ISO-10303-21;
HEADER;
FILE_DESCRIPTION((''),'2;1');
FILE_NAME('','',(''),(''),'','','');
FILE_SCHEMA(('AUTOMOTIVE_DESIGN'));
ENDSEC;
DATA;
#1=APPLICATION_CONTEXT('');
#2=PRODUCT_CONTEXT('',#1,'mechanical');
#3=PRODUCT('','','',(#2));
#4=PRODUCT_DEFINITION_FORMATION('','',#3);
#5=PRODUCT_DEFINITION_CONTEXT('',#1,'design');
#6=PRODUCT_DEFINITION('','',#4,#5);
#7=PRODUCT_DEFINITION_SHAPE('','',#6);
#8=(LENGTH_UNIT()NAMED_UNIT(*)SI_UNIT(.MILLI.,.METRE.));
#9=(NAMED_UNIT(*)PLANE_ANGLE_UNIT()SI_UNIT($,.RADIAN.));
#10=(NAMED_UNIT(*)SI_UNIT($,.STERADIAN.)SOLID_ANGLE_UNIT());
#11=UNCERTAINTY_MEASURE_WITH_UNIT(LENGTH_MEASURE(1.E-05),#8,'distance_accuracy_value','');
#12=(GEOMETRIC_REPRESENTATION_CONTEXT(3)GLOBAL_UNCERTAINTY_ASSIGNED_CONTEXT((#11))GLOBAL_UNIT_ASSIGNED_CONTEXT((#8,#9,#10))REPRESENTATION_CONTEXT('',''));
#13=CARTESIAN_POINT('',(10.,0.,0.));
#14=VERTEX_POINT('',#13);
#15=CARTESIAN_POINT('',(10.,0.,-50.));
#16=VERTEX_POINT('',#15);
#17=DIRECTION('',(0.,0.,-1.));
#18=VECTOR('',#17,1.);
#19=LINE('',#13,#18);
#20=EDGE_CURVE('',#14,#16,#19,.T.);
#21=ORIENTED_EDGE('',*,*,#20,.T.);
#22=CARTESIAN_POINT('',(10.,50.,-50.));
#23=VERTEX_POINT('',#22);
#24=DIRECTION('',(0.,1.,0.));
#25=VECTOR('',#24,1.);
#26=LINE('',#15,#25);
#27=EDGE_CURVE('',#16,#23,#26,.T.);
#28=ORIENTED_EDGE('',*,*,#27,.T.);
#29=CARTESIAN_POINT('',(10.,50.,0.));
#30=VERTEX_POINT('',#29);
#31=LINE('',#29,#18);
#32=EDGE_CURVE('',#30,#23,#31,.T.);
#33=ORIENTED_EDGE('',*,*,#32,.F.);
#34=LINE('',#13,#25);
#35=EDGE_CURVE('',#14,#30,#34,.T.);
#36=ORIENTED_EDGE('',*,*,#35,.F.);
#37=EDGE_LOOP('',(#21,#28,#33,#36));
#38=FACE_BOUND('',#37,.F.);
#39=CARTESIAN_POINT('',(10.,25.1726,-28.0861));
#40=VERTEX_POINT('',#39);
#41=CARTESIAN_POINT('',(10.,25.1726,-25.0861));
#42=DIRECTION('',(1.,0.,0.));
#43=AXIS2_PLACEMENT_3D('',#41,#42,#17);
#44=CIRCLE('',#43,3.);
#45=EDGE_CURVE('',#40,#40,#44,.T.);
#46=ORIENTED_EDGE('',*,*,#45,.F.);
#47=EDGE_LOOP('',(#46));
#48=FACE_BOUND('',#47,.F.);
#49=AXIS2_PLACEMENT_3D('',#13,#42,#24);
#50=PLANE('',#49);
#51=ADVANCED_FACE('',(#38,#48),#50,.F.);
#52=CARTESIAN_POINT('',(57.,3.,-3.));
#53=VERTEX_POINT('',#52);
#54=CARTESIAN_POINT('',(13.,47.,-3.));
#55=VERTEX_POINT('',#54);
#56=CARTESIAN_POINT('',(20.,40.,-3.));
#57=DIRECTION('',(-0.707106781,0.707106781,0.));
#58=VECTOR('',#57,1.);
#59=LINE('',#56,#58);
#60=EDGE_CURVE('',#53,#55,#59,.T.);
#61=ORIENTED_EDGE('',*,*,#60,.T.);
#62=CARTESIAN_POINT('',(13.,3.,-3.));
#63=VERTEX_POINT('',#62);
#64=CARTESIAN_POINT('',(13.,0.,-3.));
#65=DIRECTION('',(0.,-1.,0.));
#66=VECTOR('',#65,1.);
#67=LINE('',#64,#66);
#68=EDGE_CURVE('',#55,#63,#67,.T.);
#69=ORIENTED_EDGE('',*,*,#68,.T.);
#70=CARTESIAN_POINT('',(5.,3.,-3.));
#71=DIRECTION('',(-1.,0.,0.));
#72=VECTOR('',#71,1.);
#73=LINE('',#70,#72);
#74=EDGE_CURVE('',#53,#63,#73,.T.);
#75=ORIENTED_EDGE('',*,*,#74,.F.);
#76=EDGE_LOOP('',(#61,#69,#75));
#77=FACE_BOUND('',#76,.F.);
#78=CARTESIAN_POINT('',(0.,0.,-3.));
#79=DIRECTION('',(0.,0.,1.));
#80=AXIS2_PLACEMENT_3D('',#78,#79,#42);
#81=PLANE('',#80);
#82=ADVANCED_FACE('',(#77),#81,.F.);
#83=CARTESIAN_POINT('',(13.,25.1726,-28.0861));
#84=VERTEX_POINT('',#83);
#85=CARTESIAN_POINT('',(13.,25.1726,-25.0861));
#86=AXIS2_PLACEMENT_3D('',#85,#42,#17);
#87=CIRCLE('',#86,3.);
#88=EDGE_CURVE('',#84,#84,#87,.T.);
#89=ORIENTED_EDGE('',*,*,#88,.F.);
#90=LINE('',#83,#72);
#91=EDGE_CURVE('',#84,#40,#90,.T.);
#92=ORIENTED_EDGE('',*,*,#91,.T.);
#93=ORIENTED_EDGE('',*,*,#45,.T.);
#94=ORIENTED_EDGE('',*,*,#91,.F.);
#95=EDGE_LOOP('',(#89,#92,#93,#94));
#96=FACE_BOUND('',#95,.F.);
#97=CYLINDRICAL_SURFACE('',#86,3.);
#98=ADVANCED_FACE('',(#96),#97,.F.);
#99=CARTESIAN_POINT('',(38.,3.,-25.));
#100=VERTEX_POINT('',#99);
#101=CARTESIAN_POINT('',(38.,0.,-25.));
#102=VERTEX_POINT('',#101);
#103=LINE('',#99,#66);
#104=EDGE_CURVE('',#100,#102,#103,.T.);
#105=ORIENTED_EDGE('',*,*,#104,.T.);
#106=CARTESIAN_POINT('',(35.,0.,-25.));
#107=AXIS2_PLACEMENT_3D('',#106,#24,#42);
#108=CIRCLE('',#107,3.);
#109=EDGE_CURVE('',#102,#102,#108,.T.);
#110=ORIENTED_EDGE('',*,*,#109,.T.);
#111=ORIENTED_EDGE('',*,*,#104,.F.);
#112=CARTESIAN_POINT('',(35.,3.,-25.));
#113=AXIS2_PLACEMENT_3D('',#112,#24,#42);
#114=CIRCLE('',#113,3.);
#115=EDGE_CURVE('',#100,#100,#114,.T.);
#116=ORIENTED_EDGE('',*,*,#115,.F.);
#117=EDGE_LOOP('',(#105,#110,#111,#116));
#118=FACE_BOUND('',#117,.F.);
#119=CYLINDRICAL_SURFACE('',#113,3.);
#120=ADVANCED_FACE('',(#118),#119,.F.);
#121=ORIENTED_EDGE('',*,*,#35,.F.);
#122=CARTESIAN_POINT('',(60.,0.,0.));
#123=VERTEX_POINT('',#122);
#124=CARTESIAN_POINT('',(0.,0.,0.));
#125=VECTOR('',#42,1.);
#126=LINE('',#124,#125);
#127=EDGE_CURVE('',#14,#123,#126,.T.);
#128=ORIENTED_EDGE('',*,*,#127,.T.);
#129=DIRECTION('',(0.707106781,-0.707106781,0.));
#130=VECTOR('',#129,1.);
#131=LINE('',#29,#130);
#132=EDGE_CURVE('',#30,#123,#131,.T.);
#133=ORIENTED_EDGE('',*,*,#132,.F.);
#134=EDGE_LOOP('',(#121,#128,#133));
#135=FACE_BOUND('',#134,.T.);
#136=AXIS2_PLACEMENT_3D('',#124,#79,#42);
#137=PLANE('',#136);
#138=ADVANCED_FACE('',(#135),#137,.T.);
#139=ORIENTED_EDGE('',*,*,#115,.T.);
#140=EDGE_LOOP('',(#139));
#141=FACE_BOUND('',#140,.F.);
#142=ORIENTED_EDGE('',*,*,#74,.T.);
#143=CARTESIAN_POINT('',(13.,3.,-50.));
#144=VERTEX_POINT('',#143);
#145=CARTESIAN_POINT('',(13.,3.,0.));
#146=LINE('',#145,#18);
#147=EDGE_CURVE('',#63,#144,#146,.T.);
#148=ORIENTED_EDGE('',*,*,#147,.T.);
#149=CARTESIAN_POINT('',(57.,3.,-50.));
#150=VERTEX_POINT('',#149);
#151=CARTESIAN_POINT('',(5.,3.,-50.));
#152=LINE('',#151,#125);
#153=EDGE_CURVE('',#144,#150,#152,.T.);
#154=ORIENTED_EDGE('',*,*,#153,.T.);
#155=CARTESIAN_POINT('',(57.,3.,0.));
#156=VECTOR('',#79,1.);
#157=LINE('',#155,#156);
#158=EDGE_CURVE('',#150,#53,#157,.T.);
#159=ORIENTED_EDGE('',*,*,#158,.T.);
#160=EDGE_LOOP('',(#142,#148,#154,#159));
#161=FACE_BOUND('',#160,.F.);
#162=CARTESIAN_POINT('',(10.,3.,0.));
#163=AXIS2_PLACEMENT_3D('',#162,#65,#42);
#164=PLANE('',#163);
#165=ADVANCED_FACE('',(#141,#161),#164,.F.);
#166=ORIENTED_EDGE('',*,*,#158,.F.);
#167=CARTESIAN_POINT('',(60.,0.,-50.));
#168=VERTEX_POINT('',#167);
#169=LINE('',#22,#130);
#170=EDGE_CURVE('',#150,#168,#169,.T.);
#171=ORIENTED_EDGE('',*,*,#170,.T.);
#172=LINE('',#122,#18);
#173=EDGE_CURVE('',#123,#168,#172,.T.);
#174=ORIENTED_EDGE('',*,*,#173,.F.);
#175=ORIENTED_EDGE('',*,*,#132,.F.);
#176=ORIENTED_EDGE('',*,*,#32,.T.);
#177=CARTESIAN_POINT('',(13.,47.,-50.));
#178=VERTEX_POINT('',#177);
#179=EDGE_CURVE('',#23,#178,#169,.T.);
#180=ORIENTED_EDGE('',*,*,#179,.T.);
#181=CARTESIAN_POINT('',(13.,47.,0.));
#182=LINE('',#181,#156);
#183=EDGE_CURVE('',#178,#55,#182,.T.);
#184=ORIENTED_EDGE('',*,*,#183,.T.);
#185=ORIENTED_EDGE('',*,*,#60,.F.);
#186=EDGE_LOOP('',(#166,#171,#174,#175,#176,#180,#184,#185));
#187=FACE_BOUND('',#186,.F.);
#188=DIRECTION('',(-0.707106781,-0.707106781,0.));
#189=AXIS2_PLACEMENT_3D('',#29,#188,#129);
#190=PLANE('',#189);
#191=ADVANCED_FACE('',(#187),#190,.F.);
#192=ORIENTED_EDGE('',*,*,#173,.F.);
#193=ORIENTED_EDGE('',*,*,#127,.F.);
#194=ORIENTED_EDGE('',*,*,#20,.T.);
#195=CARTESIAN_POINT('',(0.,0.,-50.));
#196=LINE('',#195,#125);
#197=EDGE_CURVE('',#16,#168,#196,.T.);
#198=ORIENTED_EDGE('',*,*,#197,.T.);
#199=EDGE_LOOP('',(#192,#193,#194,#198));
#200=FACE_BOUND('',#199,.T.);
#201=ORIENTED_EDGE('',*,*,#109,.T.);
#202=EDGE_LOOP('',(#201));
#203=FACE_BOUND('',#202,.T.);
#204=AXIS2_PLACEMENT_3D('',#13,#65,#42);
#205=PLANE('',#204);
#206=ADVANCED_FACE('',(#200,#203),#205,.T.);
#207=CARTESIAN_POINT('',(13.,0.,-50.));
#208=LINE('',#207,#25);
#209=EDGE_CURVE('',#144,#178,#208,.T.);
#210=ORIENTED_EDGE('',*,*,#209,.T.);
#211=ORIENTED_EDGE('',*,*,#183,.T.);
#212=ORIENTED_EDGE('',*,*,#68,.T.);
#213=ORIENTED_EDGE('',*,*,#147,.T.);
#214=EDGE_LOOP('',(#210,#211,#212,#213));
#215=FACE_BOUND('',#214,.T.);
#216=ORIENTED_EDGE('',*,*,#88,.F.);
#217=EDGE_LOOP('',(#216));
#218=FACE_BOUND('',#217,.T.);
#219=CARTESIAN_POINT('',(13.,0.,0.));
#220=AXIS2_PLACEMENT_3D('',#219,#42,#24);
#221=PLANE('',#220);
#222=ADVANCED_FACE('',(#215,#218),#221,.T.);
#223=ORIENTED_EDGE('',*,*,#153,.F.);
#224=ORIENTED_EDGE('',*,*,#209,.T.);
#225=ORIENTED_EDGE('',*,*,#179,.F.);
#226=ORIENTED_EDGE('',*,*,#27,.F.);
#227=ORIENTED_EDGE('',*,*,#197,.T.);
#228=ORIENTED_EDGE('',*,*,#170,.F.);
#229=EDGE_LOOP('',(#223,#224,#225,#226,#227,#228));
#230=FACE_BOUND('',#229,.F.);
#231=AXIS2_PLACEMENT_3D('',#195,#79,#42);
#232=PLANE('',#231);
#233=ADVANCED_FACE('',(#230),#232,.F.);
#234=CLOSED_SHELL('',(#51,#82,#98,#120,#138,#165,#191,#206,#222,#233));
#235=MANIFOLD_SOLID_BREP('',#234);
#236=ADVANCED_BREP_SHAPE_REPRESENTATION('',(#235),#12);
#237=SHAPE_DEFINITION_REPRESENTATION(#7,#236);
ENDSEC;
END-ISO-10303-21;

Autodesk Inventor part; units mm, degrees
ref_plane "YZ Plane" through (0, 0, 0) normal (1, 0, 0) x (0, 1, 0)
ref_plane "XZ Plane" through (0, 0, 0) normal (0, 1, 0) x (-1, 0, 0)
ref_plane "XY Plane" through (0, 0, 0) normal (0, 0, 1) x (1, 0, 0)
sketch "Sketch1" plane through (0, 0, 0) normal (0, 0, 1) x (1, 0, 0)
  line L0 (10, 0) -> (10, 1000) projected
  line L1 (0, 0) -> (1181.712, 0) projected
  line L2 (10, 0) -> (10, 50)
  line L3 (10, 50) -> (60, 0)
  line L4 (10, 50) -> (80.7107, 50) construction
  line L5 (60, 0) -> (10, 0)
  dimension "d0" = 45
  dimension "d1" = 50
extrude "Extrusion1" add sketch "Sketch1" against normal blind 50
shell "Shell1" thickness 3 removed faces 2 at (43.3333, 16.6667, -16.6667) at (26.6667, 16.6667, -50)
sketch "Sketch2" plane through (13, 3, -3) normal (0, 1, 0) x (1, 0, 0)
  circle A0 centre (22, 22) radius 3
  line L0 (47, -3) -> (47, 47) projected
  line L1 (-3, 47) -> (47, -3) construction
  line L2 (-3, -3) -> (47, 47) construction
  point P0 (-13, -3)
  point P1 (22, 22)
  dimension "d5" = 6
sketch "Sketch3" plane through (13, 3, -3) normal (1, 0, 0) x (0, 0, -1)
  line L0 (-3, -3) -> (-3, 47) projected
  line L1 (-3, 47) -> (47.1723, -3) construction
  line L2 (47.1723, -3) -> (47.1723, 47.3451)
  line L3 (47.1723, 47.3451) -> (-3, -3) construction
  circle A0 centre (22.0861, 22.1726) radius 3
  point P0 (22.0861, 22.1726)
  dimension "d6" = 6
extrude "Extrusion2" cut sketch "Sketch2" against normal through all
extrude "Extrusion3" cut sketch "Sketch3" against normal through all
properties part number "Perfil de unión protección"
